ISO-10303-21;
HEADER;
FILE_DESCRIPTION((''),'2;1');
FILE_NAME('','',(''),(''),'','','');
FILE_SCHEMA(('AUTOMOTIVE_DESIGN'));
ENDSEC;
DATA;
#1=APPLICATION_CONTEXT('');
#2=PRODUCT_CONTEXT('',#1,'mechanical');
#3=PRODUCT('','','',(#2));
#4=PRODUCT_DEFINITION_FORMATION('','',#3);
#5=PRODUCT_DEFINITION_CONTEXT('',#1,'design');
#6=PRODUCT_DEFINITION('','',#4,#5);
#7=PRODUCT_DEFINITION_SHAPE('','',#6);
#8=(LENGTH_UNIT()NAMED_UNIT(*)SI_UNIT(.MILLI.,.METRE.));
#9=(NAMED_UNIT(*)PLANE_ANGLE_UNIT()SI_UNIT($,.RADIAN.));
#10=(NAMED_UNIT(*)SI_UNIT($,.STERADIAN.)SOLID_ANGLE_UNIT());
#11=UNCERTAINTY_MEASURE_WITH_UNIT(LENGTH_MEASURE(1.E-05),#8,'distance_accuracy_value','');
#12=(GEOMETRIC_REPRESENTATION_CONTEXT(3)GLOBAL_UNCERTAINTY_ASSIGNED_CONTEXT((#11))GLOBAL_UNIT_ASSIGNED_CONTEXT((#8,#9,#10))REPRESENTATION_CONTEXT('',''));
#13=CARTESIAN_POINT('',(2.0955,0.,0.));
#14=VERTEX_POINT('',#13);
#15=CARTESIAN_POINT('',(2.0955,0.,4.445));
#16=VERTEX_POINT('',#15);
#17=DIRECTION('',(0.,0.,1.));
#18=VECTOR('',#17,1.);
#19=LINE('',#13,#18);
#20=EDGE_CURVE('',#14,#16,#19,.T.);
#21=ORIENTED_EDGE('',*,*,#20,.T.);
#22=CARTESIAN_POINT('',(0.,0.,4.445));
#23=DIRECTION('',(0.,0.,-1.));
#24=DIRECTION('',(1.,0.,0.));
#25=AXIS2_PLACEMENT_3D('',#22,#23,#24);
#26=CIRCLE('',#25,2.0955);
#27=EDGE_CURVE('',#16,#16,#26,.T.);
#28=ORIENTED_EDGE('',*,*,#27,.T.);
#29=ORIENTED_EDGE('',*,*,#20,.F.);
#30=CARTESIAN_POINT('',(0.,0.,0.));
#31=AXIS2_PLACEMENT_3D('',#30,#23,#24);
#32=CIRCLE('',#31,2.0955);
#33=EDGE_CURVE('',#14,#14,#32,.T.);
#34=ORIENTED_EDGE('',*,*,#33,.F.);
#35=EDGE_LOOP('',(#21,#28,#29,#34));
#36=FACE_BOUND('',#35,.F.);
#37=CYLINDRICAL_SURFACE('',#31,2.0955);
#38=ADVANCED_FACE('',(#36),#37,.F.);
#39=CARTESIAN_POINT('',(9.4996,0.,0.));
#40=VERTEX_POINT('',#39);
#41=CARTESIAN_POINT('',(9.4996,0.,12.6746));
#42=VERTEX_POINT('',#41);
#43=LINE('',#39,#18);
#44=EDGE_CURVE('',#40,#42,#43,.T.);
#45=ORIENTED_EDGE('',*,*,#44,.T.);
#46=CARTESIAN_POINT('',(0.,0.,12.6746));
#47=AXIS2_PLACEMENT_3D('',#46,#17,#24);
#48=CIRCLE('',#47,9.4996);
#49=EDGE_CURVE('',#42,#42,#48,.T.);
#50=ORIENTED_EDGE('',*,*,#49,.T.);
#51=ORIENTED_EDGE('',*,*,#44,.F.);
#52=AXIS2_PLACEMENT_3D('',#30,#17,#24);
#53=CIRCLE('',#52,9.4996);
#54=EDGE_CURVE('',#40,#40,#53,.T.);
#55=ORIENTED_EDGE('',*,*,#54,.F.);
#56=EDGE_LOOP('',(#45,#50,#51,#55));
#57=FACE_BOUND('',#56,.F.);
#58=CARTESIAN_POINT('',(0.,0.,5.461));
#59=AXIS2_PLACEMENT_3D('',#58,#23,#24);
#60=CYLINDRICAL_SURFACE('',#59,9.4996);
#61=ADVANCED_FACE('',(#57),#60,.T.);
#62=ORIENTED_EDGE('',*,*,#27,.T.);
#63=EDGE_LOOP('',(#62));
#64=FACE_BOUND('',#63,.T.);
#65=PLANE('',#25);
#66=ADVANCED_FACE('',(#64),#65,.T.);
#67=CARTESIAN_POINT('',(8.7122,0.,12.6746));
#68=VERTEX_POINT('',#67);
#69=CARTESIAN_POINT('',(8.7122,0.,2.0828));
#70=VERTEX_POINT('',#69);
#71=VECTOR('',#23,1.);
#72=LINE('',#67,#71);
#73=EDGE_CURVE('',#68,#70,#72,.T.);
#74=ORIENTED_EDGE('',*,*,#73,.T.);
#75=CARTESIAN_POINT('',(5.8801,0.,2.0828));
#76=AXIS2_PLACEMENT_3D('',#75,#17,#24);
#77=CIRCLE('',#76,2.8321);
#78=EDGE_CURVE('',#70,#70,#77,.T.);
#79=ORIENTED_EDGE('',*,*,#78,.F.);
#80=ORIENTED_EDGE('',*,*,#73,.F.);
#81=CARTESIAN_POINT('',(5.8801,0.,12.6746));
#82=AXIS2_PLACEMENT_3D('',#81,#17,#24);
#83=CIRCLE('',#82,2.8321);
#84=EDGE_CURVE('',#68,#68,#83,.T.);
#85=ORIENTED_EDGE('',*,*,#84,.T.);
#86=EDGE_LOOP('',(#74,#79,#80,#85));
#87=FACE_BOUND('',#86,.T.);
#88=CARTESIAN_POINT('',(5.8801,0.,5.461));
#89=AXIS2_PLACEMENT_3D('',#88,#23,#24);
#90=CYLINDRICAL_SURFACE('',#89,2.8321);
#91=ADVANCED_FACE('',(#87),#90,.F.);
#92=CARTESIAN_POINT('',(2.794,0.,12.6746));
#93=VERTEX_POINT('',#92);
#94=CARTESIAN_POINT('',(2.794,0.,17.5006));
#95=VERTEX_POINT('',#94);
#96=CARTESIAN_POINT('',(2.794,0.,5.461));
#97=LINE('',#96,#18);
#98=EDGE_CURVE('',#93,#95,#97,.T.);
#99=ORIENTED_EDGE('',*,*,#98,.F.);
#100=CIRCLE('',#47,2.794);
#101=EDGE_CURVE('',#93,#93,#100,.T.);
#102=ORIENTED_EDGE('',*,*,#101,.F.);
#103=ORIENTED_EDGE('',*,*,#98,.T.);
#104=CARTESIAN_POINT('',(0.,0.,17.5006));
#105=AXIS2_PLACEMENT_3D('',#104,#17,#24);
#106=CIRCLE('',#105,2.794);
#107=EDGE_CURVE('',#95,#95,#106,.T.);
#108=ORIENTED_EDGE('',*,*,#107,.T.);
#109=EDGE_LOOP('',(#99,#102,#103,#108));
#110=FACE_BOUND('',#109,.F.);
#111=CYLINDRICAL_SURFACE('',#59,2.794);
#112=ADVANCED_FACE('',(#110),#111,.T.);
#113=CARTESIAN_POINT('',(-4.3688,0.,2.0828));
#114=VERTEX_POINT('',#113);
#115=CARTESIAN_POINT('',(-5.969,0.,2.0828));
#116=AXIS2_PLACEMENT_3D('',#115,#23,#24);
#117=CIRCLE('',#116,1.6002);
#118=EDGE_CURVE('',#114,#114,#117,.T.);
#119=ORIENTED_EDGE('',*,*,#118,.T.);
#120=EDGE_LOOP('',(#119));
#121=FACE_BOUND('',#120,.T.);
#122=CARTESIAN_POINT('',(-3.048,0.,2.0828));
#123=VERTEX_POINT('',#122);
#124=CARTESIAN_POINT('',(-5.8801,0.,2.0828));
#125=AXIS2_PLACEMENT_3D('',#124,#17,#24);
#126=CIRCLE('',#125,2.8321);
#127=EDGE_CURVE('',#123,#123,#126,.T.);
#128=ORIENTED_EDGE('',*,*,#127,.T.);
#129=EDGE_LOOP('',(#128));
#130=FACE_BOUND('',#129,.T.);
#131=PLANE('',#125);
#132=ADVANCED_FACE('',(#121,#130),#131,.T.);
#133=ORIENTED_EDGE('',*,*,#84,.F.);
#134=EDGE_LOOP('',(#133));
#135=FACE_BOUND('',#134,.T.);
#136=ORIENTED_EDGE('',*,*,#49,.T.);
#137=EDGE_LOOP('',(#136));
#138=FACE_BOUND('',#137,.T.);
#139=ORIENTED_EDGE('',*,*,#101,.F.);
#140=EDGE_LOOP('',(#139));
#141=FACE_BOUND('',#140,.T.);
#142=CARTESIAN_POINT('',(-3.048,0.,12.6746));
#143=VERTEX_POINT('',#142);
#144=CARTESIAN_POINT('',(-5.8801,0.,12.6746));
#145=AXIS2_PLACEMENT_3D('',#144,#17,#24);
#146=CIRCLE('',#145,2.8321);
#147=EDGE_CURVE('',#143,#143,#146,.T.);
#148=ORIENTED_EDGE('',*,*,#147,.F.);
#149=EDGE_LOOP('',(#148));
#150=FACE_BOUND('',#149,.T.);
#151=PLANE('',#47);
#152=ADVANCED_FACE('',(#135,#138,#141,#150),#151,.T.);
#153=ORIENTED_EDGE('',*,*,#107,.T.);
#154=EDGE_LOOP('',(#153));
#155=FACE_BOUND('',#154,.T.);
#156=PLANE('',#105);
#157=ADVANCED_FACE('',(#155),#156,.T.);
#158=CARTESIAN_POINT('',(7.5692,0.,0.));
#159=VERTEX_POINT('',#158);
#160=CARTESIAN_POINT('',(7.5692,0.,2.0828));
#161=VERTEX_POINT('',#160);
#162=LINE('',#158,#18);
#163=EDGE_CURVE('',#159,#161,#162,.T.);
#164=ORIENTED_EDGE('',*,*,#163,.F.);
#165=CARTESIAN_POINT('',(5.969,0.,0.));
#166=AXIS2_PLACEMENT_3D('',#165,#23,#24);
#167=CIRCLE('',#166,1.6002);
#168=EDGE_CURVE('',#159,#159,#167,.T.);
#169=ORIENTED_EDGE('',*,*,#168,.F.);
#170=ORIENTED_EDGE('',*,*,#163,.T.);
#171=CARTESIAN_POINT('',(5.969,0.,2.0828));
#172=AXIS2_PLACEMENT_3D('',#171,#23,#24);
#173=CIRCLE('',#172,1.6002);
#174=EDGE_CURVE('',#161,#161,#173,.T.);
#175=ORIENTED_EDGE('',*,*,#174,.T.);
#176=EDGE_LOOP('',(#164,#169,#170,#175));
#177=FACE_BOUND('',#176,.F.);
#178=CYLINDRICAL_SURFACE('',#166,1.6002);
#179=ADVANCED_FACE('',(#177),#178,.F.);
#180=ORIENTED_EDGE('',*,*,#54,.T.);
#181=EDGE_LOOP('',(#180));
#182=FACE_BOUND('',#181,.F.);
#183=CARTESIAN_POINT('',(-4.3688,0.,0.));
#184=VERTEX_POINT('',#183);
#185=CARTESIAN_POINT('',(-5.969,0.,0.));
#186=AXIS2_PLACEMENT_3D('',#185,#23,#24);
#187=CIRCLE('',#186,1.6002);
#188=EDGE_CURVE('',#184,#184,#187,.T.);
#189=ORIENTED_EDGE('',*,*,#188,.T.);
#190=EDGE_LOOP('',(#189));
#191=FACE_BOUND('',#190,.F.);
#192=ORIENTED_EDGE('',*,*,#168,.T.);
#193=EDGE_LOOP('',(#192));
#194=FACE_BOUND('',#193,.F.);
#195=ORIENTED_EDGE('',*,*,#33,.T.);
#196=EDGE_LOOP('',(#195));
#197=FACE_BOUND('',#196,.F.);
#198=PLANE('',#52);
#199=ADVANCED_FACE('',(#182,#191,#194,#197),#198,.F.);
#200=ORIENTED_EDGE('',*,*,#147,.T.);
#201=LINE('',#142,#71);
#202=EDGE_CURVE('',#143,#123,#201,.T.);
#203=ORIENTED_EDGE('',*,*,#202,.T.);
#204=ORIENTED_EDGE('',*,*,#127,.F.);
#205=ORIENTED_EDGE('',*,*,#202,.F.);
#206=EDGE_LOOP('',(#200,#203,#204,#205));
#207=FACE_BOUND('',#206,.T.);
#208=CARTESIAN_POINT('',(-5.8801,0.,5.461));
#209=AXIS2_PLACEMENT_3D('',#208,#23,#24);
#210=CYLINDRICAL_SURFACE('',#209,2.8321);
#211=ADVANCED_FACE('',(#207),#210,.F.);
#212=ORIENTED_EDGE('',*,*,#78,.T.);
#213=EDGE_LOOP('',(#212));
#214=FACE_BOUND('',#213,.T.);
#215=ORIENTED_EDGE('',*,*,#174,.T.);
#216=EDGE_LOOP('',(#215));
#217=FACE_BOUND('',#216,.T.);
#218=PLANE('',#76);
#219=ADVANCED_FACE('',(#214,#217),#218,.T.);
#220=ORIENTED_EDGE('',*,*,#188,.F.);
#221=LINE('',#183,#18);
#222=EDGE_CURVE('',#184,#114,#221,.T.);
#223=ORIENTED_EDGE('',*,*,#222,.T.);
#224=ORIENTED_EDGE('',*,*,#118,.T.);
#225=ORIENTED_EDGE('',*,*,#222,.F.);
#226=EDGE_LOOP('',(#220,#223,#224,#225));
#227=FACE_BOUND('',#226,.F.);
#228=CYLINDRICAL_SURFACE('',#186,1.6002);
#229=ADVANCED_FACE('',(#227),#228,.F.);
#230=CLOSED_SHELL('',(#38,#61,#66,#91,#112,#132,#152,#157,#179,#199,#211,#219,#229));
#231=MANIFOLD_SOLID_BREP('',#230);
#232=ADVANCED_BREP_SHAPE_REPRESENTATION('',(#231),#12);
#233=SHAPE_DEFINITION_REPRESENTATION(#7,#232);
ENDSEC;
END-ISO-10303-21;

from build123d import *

# Parameters (mm, degrees)
F0_R      = 9.4996
F1_DEPTH  = 5.461
F2_R      = 2.794
F3_DEPTH  = 12.0396
F4_R      = 2.8321
F5_DEPTH  = 3.3782
F6_R      = 2.0955
F7_DEPTH  = 4.445
F8_R      = 1.6002
F9_DEPTH  = 25.4
F10_DEPTH = 7.2136


with BuildPart() as f1:
    # F0 (on Top) → F1 (new body)
    with BuildSketch(Plane.XY):
        Circle(F0_R)
    extrude(amount=F1_DEPTH)

    # F2 (on face) → F3 (join)
    with BuildSketch(Plane.XY.offset(5.461)):
        Circle(F2_R)
    extrude(amount=F3_DEPTH)

    # F4 (on face) → F5 (cut)
    with BuildSketch(Plane.XY.offset(5.461)):
        with Locations((-5.8801, 0)):
            Circle(F4_R)
        with Locations((5.8801, 0)):
            Circle(F4_R)
    extrude(amount=-F5_DEPTH, mode=Mode.SUBTRACT)

    # F6 (on face) → F7 (cut)
    with BuildSketch(Plane(origin=(0, 0, 0), x_dir=(1, 0, 0), z_dir=(0, 0, -1))):
        Circle(F6_R)
    extrude(amount=-F7_DEPTH, mode=Mode.SUBTRACT)

    # F8 (on face) → F9 (cut)
    with BuildSketch(Plane(origin=(0, 0, 0), x_dir=(1, 0, 0), z_dir=(0, 0, -1))):
        with Locations((5.969, 0)):
            Circle(F8_R)
        with Locations((-5.969, 0)):
            Circle(F8_R)
    extrude(amount=-F9_DEPTH, mode=Mode.SUBTRACT)

    # F10 (add): a face of the model
    f10_faces = [f1.faces().sort_by_distance(p)[0] for p in [
        (-9.2309107369, 0, 5.461),
    ]]
    extrude(f10_faces, amount=F10_DEPTH)


solid = f1.part
